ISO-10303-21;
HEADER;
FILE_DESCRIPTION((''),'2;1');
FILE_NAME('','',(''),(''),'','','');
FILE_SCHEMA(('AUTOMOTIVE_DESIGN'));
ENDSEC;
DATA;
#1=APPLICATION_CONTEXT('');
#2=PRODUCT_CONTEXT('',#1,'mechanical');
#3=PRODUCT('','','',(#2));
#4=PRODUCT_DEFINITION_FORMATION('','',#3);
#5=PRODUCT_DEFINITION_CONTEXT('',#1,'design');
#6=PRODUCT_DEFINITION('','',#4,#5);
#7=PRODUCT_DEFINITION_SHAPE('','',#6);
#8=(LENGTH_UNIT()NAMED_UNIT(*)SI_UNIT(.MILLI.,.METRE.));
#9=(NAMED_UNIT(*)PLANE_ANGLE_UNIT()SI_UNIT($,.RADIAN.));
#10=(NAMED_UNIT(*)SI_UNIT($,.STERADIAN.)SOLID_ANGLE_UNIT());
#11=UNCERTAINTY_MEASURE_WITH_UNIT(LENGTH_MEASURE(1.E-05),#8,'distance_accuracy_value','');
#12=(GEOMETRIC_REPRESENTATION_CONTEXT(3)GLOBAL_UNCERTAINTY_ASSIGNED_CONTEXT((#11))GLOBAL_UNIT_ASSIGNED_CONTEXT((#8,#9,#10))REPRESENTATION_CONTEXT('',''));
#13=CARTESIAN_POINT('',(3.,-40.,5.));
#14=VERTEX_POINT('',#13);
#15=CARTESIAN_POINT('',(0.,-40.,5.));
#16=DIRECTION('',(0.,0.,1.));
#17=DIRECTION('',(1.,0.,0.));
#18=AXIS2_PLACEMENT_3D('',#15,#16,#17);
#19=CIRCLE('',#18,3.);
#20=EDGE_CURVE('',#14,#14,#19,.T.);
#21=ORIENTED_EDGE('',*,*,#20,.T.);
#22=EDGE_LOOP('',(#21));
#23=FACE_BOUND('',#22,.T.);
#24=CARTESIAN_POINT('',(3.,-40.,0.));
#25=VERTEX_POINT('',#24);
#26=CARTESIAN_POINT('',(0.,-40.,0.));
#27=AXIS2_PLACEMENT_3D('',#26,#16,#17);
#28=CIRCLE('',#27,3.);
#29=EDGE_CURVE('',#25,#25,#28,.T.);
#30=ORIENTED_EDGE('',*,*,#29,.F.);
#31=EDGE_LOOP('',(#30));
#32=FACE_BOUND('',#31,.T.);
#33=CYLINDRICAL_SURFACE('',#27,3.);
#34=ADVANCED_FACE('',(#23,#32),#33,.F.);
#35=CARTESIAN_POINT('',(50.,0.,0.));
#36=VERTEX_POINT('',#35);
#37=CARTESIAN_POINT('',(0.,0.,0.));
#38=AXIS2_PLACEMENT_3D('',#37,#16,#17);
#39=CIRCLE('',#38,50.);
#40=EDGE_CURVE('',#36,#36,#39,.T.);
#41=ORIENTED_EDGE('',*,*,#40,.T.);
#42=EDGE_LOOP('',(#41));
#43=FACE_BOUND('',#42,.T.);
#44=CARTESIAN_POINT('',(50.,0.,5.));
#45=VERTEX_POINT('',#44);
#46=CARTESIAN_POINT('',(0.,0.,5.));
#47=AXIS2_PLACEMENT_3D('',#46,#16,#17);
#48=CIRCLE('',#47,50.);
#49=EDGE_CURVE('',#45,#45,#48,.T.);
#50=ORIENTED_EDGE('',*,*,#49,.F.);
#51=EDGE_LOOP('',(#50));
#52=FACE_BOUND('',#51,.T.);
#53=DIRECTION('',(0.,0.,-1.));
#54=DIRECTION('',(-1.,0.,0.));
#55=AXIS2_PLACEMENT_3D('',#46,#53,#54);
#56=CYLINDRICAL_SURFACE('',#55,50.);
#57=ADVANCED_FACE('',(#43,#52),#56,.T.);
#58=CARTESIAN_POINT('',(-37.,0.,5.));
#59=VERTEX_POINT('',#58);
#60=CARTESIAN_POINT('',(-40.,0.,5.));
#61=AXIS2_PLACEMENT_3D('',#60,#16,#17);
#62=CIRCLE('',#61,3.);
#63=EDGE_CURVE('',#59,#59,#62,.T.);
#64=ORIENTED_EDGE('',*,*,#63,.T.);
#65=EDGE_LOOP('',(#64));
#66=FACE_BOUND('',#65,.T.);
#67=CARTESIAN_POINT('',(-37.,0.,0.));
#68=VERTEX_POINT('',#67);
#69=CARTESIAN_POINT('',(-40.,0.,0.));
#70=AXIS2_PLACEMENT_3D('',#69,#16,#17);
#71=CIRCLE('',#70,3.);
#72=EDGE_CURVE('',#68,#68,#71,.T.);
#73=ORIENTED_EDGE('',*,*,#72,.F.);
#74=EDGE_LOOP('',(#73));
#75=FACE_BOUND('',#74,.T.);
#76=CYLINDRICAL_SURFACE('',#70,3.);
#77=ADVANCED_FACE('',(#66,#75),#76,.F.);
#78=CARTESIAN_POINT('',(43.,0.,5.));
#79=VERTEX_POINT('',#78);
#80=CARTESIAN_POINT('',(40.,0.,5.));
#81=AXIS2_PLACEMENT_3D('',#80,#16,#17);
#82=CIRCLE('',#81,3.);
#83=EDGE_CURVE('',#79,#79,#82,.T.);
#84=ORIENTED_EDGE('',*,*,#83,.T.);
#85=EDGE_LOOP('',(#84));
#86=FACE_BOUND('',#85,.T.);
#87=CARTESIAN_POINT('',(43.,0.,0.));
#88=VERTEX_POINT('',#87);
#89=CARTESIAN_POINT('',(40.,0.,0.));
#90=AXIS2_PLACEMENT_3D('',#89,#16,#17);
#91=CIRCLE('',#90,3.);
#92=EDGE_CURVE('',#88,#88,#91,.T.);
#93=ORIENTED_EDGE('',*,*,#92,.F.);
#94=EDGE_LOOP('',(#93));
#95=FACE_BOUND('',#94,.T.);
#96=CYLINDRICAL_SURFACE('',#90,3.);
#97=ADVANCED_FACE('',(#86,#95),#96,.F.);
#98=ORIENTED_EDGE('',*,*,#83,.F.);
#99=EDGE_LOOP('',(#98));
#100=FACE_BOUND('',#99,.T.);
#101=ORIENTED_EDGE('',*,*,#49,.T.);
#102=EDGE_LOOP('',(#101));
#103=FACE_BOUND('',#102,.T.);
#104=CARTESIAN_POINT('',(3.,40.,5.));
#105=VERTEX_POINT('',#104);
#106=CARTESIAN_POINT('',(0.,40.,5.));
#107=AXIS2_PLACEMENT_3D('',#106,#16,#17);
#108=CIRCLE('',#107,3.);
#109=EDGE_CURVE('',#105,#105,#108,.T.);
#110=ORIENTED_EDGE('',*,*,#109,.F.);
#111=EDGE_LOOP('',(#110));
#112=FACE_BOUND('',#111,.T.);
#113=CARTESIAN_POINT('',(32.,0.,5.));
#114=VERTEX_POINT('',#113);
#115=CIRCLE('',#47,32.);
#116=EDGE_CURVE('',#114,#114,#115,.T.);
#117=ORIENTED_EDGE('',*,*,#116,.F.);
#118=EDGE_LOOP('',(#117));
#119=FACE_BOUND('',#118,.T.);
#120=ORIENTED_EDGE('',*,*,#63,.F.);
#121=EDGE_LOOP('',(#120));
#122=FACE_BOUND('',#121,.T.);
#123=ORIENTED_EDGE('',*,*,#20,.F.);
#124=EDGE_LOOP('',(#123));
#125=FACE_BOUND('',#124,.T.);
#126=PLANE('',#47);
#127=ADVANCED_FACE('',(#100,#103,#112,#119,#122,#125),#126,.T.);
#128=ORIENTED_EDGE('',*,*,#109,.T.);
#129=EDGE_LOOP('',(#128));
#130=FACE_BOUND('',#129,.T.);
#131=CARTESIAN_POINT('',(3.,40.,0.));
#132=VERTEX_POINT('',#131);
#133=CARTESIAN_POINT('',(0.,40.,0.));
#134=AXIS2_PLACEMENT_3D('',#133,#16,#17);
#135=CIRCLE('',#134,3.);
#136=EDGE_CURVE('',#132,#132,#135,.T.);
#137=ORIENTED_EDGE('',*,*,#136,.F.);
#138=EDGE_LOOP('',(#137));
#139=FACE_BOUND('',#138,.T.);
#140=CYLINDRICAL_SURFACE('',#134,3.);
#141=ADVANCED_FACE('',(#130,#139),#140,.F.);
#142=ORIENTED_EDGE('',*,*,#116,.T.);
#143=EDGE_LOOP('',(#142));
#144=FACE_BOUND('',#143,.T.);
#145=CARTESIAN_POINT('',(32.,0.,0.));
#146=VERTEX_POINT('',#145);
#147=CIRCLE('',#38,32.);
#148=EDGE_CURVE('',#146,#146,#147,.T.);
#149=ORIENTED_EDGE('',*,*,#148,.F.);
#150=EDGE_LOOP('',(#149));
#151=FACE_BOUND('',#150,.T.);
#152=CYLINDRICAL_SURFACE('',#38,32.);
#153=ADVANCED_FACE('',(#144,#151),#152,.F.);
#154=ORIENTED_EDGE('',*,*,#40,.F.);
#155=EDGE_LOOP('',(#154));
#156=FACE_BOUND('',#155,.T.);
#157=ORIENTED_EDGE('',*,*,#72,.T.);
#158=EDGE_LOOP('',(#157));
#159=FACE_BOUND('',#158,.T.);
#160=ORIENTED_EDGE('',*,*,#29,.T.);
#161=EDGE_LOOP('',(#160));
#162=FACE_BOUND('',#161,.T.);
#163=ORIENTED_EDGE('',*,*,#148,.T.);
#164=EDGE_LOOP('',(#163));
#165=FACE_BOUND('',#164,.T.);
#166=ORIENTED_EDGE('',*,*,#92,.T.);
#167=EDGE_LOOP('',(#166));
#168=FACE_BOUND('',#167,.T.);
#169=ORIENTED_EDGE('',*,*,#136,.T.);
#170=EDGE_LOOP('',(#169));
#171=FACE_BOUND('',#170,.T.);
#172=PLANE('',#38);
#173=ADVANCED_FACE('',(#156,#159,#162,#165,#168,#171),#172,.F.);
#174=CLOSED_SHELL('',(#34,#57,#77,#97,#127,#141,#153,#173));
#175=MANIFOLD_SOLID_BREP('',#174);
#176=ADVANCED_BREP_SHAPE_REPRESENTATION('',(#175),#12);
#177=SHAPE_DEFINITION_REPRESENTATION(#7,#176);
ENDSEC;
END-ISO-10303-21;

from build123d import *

# Parameters (mm, degrees)
SZKIC1_R                    = 50
DODANIE_WYCI_GNI_CIE1_DEPTH = 5
SZKIC2_R                    = 32
WYTNIJ_WYCI_GNI_CIE1_DEPTH  = 5
SZKIC3_R                    = 3
WYTNIJ_WYCI_GNI_CIE2_DEPTH  = 5


with BuildPart() as part:
    # Szkic1 → Dodanie-wyciągnięcie1 (new body)
    with BuildSketch(Plane.XY):
        Circle(SZKIC1_R)
    extrude(amount=DODANIE_WYCI_GNI_CIE1_DEPTH)

    # Szkic2 → Wytnij-wyciągnięcie1 (cut)
    with BuildSketch(Plane.XY.offset(5)):
        Circle(SZKIC2_R)
    extrude(amount=-WYTNIJ_WYCI_GNI_CIE1_DEPTH, mode=Mode.SUBTRACT)

    # Szkic3 → Wytnij-wyciągnięcie2 (cut)
    with BuildSketch(Plane.XY.offset(5)):
        with Locations((0, 40)):
            Circle(SZKIC3_R)
        with Locations((40, 0)):
            Circle(SZKIC3_R)
        with Locations((0, -40)):
            Circle(SZKIC3_R)
        with Locations((-40, 0)):
            Circle(SZKIC3_R)
    extrude(amount=-WYTNIJ_WYCI_GNI_CIE2_DEPTH, mode=Mode.SUBTRACT)


solid = part.part
